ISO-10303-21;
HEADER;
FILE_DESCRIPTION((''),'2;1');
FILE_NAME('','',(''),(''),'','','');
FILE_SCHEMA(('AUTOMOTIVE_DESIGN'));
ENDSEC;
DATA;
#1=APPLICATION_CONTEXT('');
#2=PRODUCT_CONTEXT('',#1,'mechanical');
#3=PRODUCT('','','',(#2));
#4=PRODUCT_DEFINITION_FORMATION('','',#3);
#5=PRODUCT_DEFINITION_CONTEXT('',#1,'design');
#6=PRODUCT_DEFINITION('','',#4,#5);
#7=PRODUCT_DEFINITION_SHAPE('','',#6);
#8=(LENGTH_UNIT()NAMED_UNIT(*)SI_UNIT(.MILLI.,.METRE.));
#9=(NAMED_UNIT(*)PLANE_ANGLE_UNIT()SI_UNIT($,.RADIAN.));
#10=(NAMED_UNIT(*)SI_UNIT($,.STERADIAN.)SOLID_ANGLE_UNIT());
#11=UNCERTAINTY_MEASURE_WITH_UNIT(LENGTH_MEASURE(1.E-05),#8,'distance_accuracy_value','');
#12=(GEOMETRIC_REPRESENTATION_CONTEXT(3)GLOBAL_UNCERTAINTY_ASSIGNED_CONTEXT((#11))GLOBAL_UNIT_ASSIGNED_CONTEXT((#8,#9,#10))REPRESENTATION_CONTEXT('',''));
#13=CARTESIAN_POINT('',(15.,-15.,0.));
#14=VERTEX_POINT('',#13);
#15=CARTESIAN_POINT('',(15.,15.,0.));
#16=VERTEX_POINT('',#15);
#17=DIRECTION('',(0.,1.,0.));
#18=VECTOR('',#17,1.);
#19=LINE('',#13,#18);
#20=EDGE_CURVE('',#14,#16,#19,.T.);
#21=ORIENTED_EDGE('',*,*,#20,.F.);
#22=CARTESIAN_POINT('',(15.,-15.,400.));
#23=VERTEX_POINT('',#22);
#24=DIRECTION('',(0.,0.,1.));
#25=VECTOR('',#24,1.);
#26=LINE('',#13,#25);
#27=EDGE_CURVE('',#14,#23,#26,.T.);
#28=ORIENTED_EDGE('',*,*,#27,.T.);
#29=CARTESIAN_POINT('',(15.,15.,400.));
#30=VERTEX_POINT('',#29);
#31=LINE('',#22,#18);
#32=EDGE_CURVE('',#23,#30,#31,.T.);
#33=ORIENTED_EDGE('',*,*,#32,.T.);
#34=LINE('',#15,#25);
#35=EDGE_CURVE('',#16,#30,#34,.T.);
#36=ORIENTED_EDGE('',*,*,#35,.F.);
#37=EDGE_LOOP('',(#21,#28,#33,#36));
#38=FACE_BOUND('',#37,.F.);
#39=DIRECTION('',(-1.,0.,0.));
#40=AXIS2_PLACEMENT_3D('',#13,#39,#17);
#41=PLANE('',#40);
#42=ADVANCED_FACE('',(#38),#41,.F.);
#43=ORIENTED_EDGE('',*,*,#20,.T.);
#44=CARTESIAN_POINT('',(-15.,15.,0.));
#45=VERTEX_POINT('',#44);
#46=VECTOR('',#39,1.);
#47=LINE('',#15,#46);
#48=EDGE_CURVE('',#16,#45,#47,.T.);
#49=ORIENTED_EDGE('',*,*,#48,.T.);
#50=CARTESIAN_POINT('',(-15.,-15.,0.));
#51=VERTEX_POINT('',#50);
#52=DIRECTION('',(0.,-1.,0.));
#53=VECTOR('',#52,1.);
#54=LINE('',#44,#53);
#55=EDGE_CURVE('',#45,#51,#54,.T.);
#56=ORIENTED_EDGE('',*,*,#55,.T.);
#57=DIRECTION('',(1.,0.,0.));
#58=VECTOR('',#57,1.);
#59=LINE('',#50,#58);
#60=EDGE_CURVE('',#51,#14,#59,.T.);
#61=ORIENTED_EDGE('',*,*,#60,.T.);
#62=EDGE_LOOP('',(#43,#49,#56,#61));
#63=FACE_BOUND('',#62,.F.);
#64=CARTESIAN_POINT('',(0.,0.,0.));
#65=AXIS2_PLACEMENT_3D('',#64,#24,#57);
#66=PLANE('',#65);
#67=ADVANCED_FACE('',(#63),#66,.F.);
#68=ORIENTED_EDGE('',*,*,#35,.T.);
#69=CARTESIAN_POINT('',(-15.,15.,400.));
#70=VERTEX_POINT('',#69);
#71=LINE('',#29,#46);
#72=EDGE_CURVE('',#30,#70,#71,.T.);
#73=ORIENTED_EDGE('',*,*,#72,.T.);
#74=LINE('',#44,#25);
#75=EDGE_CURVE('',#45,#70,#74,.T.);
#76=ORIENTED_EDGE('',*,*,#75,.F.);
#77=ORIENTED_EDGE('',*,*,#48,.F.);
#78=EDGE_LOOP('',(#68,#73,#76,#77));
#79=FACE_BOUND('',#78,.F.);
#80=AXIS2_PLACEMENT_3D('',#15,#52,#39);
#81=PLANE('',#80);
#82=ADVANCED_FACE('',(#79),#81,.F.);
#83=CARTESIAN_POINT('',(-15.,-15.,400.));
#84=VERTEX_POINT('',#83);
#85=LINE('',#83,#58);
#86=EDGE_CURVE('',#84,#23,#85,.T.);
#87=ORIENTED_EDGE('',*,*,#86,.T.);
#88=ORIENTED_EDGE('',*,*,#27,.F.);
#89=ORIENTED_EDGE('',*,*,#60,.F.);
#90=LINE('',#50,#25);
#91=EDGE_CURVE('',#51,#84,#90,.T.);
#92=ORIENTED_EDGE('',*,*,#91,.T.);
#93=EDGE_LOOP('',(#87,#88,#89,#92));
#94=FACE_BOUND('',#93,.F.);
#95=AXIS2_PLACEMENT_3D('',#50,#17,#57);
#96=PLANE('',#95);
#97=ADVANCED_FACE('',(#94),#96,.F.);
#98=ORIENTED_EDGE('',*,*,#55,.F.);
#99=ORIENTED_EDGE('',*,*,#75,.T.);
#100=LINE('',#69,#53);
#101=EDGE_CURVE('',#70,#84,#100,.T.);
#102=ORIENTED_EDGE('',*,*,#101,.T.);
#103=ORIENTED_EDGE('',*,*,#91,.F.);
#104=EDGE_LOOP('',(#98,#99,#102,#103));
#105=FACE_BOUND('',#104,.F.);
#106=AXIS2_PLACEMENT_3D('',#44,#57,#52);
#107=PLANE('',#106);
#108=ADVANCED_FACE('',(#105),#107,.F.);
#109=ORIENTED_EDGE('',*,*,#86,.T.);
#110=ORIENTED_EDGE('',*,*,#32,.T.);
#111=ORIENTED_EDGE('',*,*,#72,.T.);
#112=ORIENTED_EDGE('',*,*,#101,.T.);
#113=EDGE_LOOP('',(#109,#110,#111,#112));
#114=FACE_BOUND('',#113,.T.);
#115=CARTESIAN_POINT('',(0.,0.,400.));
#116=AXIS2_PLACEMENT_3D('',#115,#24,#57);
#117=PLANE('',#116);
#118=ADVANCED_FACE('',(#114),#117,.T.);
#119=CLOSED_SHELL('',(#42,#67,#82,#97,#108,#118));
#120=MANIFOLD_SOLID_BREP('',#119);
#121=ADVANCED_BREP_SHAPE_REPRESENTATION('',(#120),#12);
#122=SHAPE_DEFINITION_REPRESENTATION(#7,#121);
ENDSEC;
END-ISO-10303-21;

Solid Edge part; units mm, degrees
sketch "Sketch1" plane through (0, 0, 0) normal (0, 0, 1) x (1, 0, 0)
  line L0 (-15, -15) -> (15, -15)
  line L1 (15, -15) -> (15, 15)
  line L2 (15, 15) -> (-15, 15)
  line L3 (-15, 15) -> (-15, -15)
extrude "Protrusion1" add sketch "Sketch1" along normal blind 400
